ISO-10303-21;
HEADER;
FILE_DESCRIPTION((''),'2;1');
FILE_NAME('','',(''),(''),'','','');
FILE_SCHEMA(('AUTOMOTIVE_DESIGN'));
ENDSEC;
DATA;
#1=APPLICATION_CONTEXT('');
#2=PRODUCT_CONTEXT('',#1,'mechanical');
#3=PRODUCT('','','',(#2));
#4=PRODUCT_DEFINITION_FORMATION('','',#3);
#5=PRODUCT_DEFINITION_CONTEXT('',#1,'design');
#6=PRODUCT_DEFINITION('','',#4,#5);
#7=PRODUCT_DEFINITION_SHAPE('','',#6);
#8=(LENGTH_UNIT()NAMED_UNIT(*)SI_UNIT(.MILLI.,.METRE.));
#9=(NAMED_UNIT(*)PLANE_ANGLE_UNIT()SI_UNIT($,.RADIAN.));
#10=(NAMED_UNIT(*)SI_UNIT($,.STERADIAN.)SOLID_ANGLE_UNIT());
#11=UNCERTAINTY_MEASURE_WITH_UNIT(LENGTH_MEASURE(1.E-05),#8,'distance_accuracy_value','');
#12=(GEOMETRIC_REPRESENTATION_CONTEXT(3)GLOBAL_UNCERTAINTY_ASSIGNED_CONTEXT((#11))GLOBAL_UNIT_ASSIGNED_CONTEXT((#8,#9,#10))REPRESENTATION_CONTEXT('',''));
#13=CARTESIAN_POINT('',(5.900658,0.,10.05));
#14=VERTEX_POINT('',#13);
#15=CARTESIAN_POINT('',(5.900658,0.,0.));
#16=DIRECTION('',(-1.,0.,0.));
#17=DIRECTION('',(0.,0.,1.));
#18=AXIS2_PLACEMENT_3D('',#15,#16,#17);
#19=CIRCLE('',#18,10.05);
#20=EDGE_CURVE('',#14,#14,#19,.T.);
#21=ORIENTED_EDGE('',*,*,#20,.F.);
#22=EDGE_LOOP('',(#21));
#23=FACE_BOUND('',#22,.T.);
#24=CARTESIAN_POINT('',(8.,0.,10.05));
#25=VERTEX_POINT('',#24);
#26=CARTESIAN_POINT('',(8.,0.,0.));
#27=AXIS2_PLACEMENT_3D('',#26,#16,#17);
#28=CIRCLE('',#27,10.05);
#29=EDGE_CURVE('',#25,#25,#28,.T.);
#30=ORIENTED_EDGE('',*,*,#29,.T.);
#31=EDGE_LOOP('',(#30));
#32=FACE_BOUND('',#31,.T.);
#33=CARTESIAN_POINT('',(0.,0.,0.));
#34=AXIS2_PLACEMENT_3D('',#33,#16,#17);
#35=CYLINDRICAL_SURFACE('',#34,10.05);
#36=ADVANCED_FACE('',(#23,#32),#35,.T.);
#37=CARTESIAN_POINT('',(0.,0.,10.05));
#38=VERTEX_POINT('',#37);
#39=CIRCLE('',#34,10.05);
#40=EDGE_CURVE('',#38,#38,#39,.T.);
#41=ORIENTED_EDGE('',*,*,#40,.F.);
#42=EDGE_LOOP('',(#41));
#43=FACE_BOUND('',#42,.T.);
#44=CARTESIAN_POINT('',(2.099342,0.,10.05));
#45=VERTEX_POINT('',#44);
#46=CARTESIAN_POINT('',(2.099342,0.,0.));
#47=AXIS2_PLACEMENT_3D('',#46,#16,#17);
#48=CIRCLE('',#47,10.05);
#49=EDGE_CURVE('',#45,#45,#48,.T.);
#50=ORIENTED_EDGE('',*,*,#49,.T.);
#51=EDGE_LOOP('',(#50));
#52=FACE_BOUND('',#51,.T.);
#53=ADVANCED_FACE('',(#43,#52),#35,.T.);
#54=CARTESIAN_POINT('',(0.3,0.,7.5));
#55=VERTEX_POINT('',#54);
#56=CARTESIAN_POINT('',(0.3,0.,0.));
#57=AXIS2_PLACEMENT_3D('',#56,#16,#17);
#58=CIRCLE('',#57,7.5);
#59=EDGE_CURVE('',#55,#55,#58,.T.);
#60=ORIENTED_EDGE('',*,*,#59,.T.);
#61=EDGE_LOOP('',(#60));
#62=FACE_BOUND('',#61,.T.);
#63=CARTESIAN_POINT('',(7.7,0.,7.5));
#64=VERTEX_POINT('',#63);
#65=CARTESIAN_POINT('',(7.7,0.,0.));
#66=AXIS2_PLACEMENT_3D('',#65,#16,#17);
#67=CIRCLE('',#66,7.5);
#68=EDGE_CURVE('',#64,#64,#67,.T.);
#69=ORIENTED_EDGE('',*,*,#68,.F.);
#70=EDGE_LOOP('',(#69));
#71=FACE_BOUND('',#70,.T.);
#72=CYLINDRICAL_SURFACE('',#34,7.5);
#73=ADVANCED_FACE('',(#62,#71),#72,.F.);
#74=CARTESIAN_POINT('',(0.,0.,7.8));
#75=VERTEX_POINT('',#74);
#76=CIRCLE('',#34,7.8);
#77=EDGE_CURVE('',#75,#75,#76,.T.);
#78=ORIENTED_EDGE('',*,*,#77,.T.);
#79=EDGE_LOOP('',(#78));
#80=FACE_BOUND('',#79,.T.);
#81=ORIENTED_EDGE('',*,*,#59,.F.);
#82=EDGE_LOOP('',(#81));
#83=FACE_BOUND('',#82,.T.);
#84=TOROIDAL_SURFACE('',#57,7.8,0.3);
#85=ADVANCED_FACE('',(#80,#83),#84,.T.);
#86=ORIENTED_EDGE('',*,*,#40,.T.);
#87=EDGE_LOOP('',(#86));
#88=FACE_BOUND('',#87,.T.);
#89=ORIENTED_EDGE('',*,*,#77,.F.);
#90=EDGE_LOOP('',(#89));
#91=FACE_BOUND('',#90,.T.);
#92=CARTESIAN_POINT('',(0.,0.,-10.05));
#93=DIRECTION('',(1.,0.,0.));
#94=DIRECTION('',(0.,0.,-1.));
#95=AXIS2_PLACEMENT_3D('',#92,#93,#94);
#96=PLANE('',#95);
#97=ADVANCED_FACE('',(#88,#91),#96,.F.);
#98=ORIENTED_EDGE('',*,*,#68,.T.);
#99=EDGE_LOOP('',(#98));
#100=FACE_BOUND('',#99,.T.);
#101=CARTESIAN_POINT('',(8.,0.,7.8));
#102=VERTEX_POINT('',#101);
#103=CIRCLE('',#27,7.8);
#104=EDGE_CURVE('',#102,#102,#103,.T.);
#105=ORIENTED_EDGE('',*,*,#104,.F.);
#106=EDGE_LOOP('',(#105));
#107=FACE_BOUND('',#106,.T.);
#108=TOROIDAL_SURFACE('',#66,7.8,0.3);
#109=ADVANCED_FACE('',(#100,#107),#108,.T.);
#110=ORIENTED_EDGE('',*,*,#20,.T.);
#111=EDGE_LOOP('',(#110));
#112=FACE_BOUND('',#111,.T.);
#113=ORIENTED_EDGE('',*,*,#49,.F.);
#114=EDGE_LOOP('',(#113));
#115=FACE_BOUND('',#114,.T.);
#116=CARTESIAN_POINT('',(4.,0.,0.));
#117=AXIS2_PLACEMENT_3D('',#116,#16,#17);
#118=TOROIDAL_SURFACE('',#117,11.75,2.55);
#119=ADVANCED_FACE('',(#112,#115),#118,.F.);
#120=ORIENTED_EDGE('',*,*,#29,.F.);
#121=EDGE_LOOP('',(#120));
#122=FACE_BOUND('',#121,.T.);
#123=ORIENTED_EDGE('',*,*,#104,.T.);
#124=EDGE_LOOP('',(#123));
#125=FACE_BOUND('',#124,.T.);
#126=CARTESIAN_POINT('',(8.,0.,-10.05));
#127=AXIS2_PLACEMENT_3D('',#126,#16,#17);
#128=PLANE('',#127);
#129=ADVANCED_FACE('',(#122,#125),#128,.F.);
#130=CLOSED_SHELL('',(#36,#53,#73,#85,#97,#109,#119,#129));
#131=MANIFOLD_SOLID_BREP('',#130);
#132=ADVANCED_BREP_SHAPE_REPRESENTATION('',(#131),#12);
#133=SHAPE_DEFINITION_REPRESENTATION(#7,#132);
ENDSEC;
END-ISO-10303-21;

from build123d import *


with BuildPart() as part:
    # Esquisse1 → Base-Révolution (revolve)
    with BuildSketch(Plane(origin=(0, 0, 0), x_dir=(1, 0, 0), z_dir=(0, 1, 0))):
        with BuildLine():
            Line((0, 10.05), (0, 7.8))
            ThreePointArc((0, 7.8), (0.087867966, 7.587867966), (0.3, 7.5))
            Line((0.3, 7.5), (7.7, 7.5))
            ThreePointArc((7.7, 7.5), (7.912132034, 7.587867966), (8, 7.8))
            Line((8, 7.8), (8, 10.05))
            Line((8, 10.05), (5.900657781, 10.05))
            ThreePointArc((5.900657781, 10.05), (4, 9.2), (2.099342219, 10.05))
            Line((2.099342219, 10.05), (0, 10.05))
        make_face()
    revolve(axis=Axis((0, 0, 0), (1, 0, 0)))


solid = part.part
